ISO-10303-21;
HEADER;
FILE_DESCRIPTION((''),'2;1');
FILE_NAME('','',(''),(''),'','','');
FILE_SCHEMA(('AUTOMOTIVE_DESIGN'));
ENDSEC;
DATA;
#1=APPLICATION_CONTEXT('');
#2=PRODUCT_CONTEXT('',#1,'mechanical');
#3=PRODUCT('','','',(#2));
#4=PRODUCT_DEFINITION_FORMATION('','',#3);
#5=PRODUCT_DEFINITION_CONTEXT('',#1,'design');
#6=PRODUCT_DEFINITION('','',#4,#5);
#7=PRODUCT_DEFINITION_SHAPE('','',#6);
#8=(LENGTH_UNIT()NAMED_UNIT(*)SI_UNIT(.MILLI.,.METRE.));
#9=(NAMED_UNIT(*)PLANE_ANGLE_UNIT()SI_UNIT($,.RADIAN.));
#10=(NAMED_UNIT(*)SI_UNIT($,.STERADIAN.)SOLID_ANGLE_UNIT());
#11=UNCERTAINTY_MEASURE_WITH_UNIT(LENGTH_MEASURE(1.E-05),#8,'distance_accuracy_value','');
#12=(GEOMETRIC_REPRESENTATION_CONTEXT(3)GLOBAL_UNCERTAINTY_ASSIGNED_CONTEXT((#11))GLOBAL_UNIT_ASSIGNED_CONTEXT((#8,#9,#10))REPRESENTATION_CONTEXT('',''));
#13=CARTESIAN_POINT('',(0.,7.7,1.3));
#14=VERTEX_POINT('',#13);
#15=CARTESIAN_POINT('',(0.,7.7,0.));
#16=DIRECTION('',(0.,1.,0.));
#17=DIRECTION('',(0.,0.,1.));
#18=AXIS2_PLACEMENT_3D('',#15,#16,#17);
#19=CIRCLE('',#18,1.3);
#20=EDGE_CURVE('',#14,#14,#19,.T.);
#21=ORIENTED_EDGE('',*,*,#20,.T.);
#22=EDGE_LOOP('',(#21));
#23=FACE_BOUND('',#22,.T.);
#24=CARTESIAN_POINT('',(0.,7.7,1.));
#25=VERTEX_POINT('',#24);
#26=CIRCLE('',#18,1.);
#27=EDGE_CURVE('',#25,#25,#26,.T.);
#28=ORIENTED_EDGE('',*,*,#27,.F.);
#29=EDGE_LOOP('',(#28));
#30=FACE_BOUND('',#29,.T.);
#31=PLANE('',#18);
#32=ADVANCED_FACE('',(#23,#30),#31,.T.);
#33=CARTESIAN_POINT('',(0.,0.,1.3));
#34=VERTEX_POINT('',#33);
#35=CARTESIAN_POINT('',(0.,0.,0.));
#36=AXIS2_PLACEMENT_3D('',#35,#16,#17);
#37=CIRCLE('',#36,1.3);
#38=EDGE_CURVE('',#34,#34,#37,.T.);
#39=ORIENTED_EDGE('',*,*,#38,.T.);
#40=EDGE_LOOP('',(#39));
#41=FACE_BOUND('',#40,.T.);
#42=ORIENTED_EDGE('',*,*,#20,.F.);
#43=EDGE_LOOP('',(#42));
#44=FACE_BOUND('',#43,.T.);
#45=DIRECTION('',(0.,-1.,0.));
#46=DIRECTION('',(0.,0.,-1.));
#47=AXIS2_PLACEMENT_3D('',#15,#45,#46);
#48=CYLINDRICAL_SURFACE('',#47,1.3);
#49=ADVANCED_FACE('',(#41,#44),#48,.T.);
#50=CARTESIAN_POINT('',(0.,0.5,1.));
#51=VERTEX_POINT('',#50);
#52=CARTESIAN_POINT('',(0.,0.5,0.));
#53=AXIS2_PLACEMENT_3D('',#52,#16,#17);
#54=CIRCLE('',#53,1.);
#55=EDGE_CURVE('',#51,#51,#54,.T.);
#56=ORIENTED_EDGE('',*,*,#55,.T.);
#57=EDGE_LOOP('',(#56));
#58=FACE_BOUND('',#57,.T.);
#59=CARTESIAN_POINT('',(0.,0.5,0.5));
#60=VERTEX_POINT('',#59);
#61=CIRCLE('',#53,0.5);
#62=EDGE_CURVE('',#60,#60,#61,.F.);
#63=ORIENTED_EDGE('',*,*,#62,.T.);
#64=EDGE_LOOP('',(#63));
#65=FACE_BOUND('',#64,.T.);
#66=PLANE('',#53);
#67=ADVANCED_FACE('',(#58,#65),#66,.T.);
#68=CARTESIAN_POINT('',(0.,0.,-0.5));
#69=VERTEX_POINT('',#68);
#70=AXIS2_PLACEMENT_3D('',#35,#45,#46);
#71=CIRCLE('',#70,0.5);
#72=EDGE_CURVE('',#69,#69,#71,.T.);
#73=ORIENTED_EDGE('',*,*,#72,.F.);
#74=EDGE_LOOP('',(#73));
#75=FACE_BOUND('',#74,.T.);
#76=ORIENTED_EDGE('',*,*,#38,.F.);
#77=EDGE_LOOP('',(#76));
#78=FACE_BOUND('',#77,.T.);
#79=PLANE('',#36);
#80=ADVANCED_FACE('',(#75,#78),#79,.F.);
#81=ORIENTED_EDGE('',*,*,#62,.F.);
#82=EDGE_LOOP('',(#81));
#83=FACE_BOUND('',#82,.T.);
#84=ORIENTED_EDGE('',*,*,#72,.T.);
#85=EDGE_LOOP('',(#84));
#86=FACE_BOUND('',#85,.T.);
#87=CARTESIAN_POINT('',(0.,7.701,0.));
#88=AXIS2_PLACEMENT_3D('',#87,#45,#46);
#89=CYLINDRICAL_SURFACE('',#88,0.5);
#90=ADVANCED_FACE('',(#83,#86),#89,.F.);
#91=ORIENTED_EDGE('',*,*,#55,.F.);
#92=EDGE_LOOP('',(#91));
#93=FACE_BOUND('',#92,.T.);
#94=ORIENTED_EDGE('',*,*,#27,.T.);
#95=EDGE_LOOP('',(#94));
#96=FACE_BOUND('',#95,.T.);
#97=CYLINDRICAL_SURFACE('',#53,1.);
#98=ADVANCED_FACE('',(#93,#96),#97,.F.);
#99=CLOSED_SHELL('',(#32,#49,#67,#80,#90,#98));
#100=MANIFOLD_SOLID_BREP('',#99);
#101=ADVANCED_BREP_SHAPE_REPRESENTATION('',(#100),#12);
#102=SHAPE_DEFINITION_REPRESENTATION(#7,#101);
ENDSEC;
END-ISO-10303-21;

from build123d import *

# Parameters (mm, degrees)
SKETCH1_R           = 1.3
BOSS_EXTRUDE1_DEPTH = 7.7
SKETCH2_R           = 1
CUT_EXTRUDE1_DEPTH  = 7.2
CUT_EXTRUDE2_REACH  = 9.7
SKETCH3_R           = 0.5


with BuildPart() as part:
    # Sketch1 → Boss-Extrude1 (new body)
    with BuildSketch(Plane(origin=(0, 0, 0), x_dir=(1, 0, 0), z_dir=(0, 1, 0))):
        Circle(SKETCH1_R)
    extrude(amount=BOSS_EXTRUDE1_DEPTH)

    # Sketch2 → Cut-Extrude1 (cut)
    with BuildSketch(Plane(origin=(0, 7.7, 0), x_dir=(1, 0, 0), z_dir=(0, 1, 0))):
        Circle(SKETCH2_R)
    extrude(amount=-CUT_EXTRUDE1_DEPTH, mode=Mode.SUBTRACT)

    # Sketch3 → Cut-Extrude2 (cut, up to next)
    with BuildSketch(Plane.XZ, mode=Mode.PRIVATE) as cut_extrude2_sk1:
        Circle(SKETCH3_R)
    cut_extrude2_tool1 = extrude(cut_extrude2_sk1.sketch, amount=-CUT_EXTRUDE2_REACH, mode=Mode.PRIVATE) & part.part
    add(cut_extrude2_tool1.solids().sort_by_distance((0, 0, 0))[0], mode=Mode.SUBTRACT)


solid = part.part
